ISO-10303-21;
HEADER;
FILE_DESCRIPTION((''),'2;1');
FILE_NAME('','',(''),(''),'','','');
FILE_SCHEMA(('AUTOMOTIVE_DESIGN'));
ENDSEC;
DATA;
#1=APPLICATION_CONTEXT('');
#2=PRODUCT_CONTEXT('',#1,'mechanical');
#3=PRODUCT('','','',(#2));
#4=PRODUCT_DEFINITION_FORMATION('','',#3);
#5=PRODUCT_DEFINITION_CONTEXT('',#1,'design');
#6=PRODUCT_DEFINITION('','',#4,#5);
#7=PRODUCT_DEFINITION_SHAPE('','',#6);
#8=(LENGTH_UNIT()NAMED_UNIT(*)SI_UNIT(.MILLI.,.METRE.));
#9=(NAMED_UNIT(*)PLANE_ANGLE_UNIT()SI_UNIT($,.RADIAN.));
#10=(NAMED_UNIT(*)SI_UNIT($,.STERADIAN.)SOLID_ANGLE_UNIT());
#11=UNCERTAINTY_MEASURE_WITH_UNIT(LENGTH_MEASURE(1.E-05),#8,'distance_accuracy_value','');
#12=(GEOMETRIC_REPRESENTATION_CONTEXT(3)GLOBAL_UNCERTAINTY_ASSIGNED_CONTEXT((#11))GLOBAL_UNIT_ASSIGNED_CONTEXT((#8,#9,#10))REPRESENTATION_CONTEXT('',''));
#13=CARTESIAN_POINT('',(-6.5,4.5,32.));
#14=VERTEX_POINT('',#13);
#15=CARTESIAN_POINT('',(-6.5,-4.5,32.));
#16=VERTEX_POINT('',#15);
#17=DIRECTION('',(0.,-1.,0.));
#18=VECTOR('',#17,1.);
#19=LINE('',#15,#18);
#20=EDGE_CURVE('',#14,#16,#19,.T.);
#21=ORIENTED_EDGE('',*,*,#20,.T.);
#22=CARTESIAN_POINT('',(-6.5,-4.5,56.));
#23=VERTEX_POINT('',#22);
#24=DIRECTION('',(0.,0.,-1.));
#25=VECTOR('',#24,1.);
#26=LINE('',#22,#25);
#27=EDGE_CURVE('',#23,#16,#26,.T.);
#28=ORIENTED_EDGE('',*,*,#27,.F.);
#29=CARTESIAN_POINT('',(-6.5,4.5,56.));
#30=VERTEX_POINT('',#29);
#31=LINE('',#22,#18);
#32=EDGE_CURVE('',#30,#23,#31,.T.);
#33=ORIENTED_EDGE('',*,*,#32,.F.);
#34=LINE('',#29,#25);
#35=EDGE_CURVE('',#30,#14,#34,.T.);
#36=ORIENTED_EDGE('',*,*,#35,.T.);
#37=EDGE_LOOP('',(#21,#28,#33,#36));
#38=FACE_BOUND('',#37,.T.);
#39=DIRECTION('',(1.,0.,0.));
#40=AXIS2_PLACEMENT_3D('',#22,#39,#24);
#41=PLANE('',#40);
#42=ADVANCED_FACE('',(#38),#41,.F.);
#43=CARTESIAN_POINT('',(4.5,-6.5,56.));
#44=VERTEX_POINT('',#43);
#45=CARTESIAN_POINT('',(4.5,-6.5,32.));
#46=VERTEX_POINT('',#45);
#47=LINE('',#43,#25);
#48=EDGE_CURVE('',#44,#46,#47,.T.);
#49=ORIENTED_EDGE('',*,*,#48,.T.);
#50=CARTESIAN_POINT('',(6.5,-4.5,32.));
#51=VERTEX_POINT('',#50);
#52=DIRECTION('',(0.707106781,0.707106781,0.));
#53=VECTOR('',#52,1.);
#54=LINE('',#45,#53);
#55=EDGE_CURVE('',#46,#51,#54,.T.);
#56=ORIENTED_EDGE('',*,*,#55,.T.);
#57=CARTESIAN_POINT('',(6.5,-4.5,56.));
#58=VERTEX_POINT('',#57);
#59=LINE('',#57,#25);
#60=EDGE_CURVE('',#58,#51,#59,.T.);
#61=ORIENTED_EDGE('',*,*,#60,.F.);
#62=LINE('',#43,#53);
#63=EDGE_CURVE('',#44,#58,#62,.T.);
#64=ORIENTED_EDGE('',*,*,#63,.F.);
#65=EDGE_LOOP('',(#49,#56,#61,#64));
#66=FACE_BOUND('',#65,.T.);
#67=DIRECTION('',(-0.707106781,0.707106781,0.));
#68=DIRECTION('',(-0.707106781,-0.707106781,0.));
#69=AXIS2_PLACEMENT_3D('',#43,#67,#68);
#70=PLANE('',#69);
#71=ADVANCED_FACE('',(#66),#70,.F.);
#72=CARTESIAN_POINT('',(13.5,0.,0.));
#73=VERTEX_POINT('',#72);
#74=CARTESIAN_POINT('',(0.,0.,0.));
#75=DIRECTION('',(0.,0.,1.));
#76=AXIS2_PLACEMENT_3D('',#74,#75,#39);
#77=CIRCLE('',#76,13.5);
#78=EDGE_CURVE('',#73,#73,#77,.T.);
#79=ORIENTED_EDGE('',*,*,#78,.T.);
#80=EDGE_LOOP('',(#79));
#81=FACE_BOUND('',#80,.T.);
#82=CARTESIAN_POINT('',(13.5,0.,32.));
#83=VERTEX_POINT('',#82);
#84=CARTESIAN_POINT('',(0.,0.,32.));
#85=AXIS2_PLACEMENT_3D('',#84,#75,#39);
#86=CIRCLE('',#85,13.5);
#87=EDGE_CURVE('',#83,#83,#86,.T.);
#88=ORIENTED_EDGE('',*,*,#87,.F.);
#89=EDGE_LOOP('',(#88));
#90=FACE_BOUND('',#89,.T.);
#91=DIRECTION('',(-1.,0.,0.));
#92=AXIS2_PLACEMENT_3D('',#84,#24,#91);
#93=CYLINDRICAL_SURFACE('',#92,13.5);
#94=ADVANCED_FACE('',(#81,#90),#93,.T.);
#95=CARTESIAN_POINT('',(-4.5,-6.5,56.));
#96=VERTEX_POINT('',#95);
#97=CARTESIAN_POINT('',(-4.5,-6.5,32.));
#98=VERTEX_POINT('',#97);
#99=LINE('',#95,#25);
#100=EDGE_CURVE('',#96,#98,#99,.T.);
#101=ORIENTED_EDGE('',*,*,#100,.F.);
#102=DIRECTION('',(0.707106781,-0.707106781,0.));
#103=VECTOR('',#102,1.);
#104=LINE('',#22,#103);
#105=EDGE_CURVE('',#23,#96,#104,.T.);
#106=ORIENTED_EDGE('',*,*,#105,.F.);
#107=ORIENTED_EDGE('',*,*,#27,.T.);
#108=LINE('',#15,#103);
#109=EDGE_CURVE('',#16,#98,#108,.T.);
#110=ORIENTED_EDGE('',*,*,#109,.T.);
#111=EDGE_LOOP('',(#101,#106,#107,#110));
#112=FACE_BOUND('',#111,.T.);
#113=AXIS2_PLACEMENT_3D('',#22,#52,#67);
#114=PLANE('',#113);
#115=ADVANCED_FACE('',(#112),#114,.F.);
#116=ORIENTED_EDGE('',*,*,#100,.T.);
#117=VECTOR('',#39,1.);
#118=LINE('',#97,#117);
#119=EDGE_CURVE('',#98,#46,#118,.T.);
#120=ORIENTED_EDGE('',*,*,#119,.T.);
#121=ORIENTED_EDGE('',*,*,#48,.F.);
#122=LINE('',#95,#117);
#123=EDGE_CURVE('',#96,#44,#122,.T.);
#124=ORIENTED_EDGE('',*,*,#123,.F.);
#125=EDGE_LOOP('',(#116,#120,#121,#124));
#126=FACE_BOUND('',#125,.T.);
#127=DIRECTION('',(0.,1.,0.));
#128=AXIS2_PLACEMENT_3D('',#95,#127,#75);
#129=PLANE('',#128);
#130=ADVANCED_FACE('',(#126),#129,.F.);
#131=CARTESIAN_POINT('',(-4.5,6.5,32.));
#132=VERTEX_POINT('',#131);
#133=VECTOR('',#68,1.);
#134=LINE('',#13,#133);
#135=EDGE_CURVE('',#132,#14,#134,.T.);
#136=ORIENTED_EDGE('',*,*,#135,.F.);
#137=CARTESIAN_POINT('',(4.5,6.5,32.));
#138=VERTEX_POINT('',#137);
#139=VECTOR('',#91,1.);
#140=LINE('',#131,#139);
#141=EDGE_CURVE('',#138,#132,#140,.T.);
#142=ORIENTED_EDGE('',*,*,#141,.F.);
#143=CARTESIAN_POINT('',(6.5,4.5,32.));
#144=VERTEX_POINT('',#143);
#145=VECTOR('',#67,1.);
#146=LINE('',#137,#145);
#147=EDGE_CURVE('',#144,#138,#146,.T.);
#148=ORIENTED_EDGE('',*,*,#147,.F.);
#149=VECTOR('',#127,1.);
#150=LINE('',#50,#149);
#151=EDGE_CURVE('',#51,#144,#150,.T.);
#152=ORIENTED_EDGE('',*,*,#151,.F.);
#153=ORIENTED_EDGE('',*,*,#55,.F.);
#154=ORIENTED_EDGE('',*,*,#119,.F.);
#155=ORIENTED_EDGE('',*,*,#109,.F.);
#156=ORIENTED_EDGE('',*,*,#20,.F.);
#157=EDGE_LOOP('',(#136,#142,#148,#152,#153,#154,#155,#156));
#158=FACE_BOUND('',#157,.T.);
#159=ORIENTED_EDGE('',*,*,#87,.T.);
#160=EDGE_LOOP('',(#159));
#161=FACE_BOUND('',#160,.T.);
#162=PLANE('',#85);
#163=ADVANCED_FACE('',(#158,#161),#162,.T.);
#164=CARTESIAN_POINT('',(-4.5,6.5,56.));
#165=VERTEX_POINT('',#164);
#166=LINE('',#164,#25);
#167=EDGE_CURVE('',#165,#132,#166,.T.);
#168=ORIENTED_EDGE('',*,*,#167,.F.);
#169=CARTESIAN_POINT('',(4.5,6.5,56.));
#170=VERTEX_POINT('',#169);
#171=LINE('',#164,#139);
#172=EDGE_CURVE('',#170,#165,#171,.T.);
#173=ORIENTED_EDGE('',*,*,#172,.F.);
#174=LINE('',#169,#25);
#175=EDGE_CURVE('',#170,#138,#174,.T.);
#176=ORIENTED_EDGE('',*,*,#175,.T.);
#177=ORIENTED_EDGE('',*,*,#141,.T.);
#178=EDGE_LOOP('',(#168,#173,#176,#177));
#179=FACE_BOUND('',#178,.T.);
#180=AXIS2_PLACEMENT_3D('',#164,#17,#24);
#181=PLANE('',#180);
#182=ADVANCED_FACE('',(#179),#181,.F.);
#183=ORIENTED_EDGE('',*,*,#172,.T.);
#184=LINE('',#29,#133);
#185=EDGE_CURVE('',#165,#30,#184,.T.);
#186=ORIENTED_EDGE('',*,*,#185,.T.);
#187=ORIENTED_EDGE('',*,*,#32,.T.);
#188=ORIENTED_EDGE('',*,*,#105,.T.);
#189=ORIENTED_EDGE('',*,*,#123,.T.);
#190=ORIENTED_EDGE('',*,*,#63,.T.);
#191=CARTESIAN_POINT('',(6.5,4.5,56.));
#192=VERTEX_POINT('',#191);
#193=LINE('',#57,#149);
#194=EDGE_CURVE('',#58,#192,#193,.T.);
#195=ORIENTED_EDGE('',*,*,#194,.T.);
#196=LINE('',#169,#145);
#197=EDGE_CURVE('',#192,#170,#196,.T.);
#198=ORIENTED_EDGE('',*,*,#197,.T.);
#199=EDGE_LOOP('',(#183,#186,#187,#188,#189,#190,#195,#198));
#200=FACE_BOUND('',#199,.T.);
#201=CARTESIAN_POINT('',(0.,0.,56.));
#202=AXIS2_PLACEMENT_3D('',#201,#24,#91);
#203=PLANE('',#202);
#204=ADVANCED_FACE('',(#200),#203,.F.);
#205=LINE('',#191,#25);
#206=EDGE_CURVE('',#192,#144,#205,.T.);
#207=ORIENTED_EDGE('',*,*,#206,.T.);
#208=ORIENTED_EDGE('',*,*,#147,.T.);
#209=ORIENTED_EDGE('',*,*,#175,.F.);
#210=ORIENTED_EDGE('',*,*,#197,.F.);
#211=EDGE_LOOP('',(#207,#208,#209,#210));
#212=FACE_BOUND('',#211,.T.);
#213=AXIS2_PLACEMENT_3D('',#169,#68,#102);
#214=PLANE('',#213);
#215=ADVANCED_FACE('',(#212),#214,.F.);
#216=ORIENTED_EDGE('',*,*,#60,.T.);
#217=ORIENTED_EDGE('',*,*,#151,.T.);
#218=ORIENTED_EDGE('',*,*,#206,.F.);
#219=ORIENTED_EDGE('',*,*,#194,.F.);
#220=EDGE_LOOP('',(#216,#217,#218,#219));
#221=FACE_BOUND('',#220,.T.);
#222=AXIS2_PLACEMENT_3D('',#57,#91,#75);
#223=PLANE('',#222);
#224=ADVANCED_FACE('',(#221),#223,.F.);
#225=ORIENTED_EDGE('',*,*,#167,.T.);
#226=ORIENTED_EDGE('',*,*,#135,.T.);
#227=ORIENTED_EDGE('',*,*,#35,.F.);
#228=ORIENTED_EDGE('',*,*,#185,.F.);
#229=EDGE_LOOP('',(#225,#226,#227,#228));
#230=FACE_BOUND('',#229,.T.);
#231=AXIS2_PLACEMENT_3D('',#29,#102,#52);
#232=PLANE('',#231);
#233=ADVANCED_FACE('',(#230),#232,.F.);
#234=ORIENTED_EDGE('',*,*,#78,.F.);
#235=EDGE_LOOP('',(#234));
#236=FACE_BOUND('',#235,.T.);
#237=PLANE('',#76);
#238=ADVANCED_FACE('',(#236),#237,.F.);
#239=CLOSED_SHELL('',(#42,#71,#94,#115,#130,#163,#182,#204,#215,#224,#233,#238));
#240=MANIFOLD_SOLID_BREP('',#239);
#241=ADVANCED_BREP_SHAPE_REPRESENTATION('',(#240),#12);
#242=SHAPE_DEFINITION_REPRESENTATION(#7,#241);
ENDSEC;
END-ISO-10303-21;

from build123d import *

# Parameters (mm, degrees)
SKETCH1_R           = 13.5
BOSS_EXTRUDE1_DEPTH = 32
BOSS_EXTRUDE2_DEPTH = 24


with BuildPart() as part:
    # Sketch1 → Boss-Extrude1 (new body)
    with BuildSketch(Plane.XY):
        Circle(SKETCH1_R)
    extrude(amount=BOSS_EXTRUDE1_DEPTH)

    # Sketch2 → Boss-Extrude2 (add)
    with BuildSketch(Plane.XY.offset(32)):
        Polygon((-6.5, 4.5), (-4.5, 6.5), (4.5, 6.5), (6.5, 4.5), (6.5, -4.5), (4.5, -6.5), (-4.5, -6.5), (-6.5, -4.5), align=None)
    extrude(amount=BOSS_EXTRUDE2_DEPTH)


solid = part.part
